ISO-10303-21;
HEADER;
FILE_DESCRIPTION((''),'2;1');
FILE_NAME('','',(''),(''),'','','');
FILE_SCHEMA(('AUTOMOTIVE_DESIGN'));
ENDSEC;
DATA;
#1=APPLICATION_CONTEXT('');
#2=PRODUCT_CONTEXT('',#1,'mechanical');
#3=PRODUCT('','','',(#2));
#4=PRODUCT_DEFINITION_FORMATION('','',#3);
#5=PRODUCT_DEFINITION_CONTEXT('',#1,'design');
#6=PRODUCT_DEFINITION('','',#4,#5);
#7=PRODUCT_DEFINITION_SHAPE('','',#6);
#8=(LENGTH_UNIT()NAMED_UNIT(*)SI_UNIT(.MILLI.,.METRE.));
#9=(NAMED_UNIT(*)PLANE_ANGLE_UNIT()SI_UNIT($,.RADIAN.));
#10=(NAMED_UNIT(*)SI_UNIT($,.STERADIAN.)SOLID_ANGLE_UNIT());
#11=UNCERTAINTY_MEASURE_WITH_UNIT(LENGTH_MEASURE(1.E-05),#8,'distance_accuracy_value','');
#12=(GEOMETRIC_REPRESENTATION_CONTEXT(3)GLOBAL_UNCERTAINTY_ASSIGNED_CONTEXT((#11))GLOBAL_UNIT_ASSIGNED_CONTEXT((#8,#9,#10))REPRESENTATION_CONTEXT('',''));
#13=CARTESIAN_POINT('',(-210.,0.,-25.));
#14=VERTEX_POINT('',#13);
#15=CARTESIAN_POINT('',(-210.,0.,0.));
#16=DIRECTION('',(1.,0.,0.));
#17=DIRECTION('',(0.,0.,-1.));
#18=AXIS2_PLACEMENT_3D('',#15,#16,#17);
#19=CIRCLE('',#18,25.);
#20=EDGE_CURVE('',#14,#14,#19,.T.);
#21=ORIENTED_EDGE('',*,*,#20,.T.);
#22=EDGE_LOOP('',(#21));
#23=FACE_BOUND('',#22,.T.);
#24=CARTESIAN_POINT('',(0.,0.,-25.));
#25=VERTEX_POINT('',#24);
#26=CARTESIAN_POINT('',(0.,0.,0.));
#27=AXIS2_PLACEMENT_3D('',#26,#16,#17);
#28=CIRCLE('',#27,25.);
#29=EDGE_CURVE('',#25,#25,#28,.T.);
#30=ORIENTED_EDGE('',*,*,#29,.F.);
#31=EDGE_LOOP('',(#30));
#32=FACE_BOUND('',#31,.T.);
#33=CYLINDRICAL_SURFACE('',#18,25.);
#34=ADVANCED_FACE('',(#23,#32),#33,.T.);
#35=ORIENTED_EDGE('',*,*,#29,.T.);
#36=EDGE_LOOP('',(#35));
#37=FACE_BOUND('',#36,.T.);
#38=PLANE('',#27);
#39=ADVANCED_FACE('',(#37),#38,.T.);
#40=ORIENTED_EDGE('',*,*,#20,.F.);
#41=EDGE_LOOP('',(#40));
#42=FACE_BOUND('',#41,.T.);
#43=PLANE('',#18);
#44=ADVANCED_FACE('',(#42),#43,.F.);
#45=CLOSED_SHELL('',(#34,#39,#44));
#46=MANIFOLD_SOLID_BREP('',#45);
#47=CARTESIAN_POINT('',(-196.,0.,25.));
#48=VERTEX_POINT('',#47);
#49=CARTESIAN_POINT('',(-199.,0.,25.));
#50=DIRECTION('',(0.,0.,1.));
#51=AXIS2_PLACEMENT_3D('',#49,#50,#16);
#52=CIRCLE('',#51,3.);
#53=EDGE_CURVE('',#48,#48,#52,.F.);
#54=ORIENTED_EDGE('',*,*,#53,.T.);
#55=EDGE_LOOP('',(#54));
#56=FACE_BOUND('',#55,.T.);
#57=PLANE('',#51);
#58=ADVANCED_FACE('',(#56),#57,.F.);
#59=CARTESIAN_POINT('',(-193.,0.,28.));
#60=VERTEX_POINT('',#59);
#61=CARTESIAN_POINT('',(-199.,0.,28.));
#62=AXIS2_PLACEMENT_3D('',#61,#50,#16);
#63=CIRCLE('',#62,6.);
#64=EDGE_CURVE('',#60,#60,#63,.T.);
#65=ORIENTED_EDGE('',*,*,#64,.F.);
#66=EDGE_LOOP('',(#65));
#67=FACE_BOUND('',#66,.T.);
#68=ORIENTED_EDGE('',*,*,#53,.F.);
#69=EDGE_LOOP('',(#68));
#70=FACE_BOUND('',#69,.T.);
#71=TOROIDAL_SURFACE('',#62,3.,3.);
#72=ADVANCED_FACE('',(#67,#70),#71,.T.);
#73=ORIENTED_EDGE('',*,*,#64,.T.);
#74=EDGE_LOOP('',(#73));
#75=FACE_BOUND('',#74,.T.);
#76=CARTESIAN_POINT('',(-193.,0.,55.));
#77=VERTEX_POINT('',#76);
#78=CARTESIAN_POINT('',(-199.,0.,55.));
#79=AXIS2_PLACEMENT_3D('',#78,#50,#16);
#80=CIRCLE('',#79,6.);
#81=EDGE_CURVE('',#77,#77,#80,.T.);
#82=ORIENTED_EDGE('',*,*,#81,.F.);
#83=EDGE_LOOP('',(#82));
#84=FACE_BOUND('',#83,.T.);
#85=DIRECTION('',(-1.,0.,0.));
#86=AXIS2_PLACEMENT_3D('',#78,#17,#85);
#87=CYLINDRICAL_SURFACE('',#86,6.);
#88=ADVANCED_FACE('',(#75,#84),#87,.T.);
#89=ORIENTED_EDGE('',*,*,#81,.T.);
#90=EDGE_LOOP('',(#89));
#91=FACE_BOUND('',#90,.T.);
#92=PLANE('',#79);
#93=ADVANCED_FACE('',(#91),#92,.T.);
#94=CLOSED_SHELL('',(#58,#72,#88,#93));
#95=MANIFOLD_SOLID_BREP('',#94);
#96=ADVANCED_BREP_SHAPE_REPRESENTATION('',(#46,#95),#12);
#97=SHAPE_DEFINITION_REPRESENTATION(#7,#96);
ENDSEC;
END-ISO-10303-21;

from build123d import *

# Parameters (mm, degrees)
SKETCH1_R           = 25
BOSS_EXTRUDE1_DEPTH = 210
BOSS_EXTRUDE2_START = 25
SKETCH2_R           = 6
BOSS_EXTRUDE2_DEPTH = 30
FILLET1_R           = 3


with BuildPart() as part:
    # Sketch1 → Boss-Extrude1 (new body)
    with BuildSketch(Plane(origin=(0, 0, 0), x_dir=(0, 0, -1), z_dir=(1, 0, 0))):
        Circle(SKETCH1_R)
    extrude(amount=-BOSS_EXTRUDE1_DEPTH)


with BuildPart() as body_2:
    # Sketch2 → Boss-Extrude2 (new body)
    with BuildSketch(Plane.XY.offset(BOSS_EXTRUDE2_START)):
        with Locations((-199, 0)):
            Circle(SKETCH2_R)
    extrude(amount=BOSS_EXTRUDE2_DEPTH)

    # Fillet1
    fillet1_edges = [body_2.edges().sort_by_distance(p)[0] for p in [
        (-205, 0, 25),
    ]]
    fillet(fillet1_edges, radius=FILLET1_R)


solid = Compound([part.part, body_2.part])
